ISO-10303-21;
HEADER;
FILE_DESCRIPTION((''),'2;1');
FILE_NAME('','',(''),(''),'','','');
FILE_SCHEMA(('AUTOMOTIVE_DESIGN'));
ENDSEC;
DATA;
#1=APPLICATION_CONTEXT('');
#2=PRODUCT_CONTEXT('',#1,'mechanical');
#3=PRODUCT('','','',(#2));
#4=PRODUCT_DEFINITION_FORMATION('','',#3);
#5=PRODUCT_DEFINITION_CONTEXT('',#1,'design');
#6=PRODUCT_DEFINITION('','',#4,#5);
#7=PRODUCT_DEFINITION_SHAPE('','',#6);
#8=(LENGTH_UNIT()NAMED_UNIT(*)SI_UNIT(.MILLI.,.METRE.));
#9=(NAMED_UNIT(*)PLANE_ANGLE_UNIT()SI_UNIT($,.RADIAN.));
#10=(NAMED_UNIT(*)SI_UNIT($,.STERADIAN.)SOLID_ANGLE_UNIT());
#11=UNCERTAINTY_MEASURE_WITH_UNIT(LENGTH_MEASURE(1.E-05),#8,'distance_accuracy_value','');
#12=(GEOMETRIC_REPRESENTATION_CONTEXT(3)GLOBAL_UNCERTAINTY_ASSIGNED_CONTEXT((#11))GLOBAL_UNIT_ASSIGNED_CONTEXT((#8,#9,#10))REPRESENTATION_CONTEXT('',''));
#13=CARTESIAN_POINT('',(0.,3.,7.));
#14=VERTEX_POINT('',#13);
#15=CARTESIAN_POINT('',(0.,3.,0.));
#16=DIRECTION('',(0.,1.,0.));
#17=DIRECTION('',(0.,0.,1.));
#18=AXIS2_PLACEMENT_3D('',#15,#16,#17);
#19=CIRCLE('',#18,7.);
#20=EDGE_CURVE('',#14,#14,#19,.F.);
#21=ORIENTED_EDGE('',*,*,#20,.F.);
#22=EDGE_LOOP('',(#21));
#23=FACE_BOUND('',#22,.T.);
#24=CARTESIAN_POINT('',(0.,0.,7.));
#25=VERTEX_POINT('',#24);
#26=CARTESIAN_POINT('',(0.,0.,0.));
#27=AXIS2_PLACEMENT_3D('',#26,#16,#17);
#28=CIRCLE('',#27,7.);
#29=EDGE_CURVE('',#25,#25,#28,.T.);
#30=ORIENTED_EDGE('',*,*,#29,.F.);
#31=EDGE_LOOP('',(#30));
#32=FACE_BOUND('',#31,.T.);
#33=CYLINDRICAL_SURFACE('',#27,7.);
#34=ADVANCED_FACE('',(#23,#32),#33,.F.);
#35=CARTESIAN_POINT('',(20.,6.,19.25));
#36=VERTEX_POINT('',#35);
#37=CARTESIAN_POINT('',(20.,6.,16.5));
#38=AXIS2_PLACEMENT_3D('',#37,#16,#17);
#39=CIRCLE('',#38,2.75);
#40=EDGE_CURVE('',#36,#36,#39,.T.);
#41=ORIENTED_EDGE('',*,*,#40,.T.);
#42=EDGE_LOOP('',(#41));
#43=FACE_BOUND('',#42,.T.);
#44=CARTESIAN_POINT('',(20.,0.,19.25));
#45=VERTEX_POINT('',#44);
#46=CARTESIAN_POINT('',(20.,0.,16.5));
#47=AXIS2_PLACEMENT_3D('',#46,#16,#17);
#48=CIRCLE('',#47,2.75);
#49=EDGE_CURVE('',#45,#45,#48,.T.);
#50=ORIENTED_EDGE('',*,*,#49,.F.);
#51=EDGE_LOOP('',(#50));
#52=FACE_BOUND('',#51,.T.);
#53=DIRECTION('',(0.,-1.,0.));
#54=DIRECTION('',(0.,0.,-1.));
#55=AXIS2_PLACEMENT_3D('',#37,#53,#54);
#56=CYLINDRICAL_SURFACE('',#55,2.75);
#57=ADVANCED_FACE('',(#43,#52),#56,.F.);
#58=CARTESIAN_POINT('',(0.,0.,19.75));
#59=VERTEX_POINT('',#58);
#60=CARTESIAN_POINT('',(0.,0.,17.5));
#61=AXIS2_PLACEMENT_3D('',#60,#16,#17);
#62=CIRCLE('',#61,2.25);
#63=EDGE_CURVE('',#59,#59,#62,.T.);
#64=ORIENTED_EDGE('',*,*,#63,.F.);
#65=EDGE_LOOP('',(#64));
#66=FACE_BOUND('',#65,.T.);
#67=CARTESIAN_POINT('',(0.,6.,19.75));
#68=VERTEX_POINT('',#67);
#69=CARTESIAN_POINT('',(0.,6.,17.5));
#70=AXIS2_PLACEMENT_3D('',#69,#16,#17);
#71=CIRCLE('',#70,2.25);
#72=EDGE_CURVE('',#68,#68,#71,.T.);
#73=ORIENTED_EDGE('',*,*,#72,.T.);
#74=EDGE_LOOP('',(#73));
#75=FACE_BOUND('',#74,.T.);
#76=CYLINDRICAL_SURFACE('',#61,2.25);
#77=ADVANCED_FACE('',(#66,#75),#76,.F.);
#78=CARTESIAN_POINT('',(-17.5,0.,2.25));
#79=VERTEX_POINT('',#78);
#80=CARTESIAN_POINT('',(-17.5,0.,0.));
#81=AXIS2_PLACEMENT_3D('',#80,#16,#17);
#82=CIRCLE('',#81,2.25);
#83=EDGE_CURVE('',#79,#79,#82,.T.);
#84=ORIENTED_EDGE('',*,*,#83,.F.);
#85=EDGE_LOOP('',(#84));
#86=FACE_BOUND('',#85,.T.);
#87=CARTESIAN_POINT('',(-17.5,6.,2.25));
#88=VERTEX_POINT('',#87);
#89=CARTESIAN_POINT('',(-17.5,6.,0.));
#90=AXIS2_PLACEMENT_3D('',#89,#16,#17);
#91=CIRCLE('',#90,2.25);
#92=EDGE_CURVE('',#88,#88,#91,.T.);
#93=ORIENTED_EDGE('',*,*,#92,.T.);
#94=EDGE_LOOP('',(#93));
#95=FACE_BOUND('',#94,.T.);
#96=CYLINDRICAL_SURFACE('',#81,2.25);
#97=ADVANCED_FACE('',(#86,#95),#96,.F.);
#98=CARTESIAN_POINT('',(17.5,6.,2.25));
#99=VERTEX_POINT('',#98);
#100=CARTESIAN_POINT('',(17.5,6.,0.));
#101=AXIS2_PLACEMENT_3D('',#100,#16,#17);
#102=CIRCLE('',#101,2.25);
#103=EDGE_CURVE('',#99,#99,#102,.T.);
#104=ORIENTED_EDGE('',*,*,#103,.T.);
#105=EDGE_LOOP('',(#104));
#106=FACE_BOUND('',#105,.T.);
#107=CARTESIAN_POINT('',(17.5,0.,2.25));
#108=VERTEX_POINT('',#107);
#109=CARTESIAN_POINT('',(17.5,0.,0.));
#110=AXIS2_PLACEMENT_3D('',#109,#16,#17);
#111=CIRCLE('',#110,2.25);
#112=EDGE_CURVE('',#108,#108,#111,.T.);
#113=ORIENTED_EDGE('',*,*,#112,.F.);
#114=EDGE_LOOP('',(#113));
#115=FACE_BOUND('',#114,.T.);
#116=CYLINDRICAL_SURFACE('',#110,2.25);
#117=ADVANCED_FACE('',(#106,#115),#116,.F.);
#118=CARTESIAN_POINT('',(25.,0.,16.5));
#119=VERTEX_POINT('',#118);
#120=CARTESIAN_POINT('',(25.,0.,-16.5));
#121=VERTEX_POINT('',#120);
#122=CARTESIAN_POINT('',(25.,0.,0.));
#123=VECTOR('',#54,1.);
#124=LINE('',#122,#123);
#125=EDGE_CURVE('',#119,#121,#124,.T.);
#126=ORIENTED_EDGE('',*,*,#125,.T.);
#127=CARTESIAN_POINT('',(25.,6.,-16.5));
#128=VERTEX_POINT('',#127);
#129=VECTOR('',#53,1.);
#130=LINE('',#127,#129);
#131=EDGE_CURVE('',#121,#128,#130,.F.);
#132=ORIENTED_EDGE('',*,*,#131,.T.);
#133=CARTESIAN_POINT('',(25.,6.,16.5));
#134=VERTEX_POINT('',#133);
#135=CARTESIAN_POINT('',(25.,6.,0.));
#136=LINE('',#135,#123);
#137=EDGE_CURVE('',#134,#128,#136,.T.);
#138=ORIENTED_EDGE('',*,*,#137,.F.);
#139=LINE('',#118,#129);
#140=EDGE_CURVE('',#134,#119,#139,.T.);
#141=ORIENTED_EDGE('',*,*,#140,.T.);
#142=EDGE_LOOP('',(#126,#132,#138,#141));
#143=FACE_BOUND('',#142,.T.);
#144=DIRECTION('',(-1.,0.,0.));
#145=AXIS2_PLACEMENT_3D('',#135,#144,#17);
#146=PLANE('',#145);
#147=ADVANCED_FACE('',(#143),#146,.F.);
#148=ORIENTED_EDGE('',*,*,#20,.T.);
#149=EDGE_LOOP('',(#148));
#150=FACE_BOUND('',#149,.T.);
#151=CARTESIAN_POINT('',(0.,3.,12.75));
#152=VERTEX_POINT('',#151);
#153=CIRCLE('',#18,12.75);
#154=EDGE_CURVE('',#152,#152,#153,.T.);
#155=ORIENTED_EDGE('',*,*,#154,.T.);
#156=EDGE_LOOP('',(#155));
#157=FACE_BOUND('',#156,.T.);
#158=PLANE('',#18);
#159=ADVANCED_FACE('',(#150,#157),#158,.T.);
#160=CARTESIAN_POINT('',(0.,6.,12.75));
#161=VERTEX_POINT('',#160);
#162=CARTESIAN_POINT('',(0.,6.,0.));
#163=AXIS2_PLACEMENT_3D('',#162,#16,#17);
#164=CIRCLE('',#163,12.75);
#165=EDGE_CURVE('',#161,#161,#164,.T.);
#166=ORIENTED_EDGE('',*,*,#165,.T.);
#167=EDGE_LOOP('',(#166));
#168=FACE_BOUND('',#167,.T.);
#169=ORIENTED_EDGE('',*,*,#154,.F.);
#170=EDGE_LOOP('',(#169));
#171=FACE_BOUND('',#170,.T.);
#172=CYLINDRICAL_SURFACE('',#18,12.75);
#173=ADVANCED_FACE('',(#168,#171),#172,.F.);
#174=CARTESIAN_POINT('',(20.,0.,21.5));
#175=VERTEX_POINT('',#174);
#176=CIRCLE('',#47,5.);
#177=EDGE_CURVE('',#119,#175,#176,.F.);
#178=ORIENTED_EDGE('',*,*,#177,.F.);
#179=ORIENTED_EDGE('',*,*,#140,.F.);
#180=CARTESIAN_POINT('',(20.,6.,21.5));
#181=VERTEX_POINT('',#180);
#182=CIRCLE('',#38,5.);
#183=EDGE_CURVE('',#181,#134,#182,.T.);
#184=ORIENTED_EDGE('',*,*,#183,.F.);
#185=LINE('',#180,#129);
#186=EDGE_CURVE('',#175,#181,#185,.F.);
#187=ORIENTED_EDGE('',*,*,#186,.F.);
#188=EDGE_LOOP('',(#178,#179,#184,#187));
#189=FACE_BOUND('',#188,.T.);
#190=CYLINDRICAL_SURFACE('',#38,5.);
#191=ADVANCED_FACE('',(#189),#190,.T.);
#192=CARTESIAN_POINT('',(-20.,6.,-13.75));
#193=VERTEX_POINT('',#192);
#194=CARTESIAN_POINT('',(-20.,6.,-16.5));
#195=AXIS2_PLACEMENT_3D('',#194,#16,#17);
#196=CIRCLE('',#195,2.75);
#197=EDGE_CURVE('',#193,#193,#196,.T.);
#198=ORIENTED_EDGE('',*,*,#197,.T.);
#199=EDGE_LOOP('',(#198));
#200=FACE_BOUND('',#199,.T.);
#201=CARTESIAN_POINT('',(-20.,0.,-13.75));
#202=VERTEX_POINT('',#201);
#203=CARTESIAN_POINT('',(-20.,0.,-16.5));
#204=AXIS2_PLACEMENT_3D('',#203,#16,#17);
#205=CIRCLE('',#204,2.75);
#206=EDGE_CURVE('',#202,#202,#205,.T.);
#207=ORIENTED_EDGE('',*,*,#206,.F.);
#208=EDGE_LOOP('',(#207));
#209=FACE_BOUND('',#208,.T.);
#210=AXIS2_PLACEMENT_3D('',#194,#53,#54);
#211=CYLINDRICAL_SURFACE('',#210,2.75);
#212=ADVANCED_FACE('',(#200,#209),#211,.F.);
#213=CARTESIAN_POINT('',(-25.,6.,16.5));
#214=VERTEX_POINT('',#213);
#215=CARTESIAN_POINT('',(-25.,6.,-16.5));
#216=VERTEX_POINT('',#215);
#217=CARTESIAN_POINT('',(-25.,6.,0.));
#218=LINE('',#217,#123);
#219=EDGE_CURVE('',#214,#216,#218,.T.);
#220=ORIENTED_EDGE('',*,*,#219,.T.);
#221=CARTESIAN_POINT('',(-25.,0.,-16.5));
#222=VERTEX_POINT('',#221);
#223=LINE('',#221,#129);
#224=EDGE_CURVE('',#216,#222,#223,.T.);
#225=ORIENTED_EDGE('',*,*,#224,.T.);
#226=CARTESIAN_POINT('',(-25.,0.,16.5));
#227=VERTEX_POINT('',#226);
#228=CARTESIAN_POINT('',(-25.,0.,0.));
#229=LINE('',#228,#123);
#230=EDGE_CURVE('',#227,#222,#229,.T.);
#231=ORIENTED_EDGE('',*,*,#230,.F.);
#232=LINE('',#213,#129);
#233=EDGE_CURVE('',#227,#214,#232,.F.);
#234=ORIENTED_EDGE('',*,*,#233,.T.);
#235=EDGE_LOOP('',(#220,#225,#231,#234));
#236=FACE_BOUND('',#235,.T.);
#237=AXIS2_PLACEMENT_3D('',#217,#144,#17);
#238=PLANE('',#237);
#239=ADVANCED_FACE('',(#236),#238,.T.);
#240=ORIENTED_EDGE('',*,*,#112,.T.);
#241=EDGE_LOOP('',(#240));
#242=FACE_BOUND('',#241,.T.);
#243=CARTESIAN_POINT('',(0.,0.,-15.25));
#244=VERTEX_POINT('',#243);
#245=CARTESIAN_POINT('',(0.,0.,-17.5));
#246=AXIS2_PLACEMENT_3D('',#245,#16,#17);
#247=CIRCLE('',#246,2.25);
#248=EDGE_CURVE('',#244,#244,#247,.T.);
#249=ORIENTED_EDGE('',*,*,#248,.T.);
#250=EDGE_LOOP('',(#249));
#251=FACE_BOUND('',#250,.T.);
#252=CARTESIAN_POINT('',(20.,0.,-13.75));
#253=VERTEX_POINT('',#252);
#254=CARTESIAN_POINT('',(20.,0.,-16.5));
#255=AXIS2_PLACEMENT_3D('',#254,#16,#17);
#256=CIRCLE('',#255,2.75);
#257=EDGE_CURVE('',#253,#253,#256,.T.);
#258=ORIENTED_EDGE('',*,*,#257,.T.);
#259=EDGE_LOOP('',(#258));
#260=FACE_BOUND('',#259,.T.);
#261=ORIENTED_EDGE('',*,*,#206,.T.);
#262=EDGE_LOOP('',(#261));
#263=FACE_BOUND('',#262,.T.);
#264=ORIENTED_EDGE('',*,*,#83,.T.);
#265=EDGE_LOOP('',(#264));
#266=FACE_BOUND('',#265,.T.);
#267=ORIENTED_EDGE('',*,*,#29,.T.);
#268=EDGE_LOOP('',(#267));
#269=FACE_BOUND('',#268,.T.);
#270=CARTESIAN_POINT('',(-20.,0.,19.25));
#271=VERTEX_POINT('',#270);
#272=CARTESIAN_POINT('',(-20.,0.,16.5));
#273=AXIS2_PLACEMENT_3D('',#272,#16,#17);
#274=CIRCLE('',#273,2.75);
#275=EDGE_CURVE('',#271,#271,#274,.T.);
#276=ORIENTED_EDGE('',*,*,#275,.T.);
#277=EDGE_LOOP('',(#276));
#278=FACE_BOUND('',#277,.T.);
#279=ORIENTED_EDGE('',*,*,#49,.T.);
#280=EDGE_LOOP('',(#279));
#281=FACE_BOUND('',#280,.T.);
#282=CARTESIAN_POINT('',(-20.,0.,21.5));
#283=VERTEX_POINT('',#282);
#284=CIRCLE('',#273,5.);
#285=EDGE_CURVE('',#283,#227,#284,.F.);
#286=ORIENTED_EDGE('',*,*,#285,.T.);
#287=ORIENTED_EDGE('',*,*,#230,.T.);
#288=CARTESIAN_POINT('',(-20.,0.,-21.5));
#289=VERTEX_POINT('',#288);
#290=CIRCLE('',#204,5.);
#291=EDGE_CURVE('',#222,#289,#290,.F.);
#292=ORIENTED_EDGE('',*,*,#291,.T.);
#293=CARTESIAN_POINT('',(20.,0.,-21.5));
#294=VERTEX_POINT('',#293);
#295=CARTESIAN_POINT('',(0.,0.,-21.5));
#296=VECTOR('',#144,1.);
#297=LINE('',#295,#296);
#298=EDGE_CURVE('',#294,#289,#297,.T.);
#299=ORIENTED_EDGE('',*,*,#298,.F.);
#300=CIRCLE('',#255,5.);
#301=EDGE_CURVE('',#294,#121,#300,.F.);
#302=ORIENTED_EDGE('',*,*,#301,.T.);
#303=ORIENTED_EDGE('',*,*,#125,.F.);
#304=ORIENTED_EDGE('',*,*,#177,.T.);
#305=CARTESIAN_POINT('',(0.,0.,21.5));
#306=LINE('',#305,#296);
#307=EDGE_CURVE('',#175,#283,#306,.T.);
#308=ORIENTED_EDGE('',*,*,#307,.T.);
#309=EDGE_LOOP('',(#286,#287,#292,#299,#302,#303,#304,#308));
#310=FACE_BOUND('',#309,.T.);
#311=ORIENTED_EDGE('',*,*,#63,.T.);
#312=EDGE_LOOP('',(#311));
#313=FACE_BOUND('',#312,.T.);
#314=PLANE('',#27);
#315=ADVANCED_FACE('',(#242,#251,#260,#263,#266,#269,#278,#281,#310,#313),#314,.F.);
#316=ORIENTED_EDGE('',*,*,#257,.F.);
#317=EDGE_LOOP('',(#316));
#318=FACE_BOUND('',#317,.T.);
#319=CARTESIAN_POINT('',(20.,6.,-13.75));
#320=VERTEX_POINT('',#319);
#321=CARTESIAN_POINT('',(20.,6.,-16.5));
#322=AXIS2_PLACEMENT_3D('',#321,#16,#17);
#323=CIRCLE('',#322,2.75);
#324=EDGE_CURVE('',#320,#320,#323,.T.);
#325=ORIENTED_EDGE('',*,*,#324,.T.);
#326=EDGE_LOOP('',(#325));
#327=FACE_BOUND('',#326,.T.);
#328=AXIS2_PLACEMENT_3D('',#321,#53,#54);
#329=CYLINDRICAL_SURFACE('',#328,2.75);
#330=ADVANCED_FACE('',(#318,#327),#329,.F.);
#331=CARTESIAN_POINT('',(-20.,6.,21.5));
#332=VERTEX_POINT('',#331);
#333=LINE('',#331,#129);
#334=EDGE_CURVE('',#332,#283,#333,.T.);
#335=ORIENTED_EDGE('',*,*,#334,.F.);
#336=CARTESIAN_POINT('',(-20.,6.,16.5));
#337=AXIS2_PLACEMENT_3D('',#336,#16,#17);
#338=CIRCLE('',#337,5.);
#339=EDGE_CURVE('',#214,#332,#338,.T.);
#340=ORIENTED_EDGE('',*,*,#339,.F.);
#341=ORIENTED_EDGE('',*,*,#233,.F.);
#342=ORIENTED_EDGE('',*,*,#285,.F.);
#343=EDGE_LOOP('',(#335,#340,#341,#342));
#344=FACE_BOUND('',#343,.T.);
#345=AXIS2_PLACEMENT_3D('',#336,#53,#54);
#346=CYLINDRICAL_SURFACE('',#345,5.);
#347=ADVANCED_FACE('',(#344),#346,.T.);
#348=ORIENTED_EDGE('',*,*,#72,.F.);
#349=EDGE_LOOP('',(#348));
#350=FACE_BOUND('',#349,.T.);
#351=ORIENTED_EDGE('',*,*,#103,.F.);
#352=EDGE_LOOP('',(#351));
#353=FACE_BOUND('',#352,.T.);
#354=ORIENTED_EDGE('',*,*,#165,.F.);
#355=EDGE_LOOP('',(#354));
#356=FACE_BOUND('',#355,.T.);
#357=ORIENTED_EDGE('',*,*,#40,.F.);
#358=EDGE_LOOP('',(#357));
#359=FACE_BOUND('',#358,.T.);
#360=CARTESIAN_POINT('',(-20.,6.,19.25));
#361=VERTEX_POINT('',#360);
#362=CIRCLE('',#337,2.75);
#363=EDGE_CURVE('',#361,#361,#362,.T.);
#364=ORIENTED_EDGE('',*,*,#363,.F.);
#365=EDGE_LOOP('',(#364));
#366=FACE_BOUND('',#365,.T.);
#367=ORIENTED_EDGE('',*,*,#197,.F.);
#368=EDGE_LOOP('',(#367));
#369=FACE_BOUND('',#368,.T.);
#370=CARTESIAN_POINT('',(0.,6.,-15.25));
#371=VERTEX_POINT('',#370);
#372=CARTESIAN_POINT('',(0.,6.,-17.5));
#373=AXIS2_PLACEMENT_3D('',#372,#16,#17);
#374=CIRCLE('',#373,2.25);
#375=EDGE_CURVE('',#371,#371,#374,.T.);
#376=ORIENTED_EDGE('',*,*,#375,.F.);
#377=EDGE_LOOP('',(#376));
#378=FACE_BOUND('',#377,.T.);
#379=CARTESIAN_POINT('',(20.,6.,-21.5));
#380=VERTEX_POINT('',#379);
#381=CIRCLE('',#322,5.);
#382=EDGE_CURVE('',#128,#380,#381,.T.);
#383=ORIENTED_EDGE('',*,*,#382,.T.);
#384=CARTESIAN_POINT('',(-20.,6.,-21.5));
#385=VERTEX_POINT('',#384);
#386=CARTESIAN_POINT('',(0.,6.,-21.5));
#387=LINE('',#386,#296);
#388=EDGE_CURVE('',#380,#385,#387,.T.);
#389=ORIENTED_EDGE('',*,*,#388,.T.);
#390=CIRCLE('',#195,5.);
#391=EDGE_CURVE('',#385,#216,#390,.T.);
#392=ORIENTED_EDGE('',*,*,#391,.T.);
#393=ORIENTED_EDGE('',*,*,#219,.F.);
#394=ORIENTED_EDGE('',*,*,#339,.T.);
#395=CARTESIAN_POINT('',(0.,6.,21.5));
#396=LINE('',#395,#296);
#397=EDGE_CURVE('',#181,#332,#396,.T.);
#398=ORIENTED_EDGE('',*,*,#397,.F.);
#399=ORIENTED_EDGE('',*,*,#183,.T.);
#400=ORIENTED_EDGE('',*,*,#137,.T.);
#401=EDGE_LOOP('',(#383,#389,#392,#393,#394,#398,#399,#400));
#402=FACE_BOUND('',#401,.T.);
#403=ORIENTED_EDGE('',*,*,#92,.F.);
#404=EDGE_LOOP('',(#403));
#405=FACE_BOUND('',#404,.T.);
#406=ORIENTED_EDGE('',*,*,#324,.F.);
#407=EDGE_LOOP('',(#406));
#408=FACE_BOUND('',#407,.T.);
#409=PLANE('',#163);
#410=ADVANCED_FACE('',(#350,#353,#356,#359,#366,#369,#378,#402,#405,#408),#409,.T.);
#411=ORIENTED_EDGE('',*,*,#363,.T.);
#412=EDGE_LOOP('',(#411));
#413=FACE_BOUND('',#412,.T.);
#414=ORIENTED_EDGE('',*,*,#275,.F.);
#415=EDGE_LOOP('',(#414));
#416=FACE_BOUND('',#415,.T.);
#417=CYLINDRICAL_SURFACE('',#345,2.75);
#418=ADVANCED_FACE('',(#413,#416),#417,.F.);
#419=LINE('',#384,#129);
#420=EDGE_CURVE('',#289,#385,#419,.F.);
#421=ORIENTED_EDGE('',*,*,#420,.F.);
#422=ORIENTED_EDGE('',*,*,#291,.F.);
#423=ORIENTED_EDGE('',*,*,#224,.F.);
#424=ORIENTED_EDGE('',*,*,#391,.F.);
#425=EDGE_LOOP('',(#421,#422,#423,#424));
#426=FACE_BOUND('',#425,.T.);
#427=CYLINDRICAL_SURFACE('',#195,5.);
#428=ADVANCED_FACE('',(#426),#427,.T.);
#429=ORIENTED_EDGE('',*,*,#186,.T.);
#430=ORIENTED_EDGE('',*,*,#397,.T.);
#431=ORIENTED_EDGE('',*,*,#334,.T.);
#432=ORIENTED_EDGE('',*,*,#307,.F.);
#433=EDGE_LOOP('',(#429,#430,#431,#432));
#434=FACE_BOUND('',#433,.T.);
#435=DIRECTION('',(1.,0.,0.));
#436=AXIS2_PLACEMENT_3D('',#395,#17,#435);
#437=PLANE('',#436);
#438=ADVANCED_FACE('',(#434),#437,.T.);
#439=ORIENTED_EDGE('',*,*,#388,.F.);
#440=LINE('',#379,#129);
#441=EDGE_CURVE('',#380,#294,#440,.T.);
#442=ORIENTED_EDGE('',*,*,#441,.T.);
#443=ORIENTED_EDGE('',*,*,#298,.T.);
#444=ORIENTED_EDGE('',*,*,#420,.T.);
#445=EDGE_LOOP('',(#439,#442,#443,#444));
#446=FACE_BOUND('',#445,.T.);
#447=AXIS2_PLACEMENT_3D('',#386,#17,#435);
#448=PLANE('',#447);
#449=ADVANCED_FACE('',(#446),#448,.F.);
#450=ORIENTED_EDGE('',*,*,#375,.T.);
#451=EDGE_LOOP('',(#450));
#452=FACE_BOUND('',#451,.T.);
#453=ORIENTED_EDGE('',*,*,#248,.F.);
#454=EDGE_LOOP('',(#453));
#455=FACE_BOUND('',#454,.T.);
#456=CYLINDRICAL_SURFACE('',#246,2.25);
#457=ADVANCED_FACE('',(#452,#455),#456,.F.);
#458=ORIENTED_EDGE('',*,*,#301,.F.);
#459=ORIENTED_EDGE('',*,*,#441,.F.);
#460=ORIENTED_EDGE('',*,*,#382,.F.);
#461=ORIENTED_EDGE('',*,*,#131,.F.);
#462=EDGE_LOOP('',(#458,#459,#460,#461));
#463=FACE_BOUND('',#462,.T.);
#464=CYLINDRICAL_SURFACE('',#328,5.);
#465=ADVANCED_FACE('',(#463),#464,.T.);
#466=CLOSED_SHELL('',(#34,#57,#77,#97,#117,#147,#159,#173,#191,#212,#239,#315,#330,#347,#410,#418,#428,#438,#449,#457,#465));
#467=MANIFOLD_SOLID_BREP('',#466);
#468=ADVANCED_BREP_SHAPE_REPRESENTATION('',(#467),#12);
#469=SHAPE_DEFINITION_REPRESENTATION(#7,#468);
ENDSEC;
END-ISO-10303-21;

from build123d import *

# Parameters (mm, degrees)
SKETCH1_W           = 50
SKETCH1_H           = 43
SKETCH1_R           = 2.75
BOSS_EXTRUDE1_DEPTH = 6
SKETCH2_R           = 7
CUT_EXTRUDE1_DEPTH  = 6
SKETCH3_R           = 2.25
CUT_EXTRUDE2_DEPTH  = 6
SKETCH4_R           = 12.75
CUT_EXTRUDE3_DEPTH  = 3
FILLET1_R           = 5


with BuildPart() as part:
    # Sketch1 → Boss-Extrude1 (new body)
    with BuildSketch(Plane(origin=(0, 0, 0), x_dir=(1, 0, 0), z_dir=(0, 1, 0))):
        Rectangle(SKETCH1_W, SKETCH1_H)
        with Locations(Location((-20, 16.5, 0), (0, 0, 270))):
            Circle(SKETCH1_R, mode=Mode.SUBTRACT)
        with Locations(Location((20, 16.5, 0), (0, 0, 270))):
            Circle(SKETCH1_R, mode=Mode.SUBTRACT)
        with Locations(Location((-20, -16.5, 0), (0, 0, 270))):
            Circle(SKETCH1_R, mode=Mode.SUBTRACT)
        with Locations(Location((20, -16.5, 0), (0, 0, 270))):
            Circle(SKETCH1_R, mode=Mode.SUBTRACT)
    extrude(amount=BOSS_EXTRUDE1_DEPTH)

    # Sketch2 → Cut-Extrude1 (cut)
    with BuildSketch(Plane(origin=(0, 6, 0), x_dir=(1, 0, 0), z_dir=(0, 1, 0))):
        with Locations(Location((0, 0, 0), (0, 0, 270))):
            Circle(SKETCH2_R)
    extrude(amount=-CUT_EXTRUDE1_DEPTH, mode=Mode.SUBTRACT)

    # Sketch3 → Cut-Extrude2 (cut)
    with BuildSketch(Plane(origin=(0, 6, 0), x_dir=(1, 0, 0), z_dir=(0, 1, 0))):
        with Locations(Location((0, 17.5, 0), (0, 0, 270))):
            Circle(SKETCH3_R)
        with Locations(Location((17.5, 0, 0), (0, 0, 270))):
            Circle(SKETCH3_R)
        with Locations(Location((0, -17.5, 0), (0, 0, 270))):
            Circle(SKETCH3_R)
        with Locations(Location((-17.5, 0, 0), (0, 0, 270))):
            Circle(SKETCH3_R)
    extrude(amount=-CUT_EXTRUDE2_DEPTH, mode=Mode.SUBTRACT)

    # Sketch4 → Cut-Extrude3 (cut)
    with BuildSketch(Plane(origin=(0, 6, 0), x_dir=(1, 0, 0), z_dir=(0, 1, 0))):
        with Locations(Location((0, 0, 0), (0, 0, 270))):
            Circle(SKETCH4_R)
    extrude(amount=-CUT_EXTRUDE3_DEPTH, mode=Mode.SUBTRACT)

    # Fillet1
    fillet1_edges = [part.edges().sort_by_distance(p)[0] for p in [
        (-25, 3, -21.5),
        (25, 3, -21.5),
        (25, 3, 21.5),
        (-25, 3, 21.5),
    ]]
    fillet(fillet1_edges, radius=FILLET1_R)


solid = part.part
